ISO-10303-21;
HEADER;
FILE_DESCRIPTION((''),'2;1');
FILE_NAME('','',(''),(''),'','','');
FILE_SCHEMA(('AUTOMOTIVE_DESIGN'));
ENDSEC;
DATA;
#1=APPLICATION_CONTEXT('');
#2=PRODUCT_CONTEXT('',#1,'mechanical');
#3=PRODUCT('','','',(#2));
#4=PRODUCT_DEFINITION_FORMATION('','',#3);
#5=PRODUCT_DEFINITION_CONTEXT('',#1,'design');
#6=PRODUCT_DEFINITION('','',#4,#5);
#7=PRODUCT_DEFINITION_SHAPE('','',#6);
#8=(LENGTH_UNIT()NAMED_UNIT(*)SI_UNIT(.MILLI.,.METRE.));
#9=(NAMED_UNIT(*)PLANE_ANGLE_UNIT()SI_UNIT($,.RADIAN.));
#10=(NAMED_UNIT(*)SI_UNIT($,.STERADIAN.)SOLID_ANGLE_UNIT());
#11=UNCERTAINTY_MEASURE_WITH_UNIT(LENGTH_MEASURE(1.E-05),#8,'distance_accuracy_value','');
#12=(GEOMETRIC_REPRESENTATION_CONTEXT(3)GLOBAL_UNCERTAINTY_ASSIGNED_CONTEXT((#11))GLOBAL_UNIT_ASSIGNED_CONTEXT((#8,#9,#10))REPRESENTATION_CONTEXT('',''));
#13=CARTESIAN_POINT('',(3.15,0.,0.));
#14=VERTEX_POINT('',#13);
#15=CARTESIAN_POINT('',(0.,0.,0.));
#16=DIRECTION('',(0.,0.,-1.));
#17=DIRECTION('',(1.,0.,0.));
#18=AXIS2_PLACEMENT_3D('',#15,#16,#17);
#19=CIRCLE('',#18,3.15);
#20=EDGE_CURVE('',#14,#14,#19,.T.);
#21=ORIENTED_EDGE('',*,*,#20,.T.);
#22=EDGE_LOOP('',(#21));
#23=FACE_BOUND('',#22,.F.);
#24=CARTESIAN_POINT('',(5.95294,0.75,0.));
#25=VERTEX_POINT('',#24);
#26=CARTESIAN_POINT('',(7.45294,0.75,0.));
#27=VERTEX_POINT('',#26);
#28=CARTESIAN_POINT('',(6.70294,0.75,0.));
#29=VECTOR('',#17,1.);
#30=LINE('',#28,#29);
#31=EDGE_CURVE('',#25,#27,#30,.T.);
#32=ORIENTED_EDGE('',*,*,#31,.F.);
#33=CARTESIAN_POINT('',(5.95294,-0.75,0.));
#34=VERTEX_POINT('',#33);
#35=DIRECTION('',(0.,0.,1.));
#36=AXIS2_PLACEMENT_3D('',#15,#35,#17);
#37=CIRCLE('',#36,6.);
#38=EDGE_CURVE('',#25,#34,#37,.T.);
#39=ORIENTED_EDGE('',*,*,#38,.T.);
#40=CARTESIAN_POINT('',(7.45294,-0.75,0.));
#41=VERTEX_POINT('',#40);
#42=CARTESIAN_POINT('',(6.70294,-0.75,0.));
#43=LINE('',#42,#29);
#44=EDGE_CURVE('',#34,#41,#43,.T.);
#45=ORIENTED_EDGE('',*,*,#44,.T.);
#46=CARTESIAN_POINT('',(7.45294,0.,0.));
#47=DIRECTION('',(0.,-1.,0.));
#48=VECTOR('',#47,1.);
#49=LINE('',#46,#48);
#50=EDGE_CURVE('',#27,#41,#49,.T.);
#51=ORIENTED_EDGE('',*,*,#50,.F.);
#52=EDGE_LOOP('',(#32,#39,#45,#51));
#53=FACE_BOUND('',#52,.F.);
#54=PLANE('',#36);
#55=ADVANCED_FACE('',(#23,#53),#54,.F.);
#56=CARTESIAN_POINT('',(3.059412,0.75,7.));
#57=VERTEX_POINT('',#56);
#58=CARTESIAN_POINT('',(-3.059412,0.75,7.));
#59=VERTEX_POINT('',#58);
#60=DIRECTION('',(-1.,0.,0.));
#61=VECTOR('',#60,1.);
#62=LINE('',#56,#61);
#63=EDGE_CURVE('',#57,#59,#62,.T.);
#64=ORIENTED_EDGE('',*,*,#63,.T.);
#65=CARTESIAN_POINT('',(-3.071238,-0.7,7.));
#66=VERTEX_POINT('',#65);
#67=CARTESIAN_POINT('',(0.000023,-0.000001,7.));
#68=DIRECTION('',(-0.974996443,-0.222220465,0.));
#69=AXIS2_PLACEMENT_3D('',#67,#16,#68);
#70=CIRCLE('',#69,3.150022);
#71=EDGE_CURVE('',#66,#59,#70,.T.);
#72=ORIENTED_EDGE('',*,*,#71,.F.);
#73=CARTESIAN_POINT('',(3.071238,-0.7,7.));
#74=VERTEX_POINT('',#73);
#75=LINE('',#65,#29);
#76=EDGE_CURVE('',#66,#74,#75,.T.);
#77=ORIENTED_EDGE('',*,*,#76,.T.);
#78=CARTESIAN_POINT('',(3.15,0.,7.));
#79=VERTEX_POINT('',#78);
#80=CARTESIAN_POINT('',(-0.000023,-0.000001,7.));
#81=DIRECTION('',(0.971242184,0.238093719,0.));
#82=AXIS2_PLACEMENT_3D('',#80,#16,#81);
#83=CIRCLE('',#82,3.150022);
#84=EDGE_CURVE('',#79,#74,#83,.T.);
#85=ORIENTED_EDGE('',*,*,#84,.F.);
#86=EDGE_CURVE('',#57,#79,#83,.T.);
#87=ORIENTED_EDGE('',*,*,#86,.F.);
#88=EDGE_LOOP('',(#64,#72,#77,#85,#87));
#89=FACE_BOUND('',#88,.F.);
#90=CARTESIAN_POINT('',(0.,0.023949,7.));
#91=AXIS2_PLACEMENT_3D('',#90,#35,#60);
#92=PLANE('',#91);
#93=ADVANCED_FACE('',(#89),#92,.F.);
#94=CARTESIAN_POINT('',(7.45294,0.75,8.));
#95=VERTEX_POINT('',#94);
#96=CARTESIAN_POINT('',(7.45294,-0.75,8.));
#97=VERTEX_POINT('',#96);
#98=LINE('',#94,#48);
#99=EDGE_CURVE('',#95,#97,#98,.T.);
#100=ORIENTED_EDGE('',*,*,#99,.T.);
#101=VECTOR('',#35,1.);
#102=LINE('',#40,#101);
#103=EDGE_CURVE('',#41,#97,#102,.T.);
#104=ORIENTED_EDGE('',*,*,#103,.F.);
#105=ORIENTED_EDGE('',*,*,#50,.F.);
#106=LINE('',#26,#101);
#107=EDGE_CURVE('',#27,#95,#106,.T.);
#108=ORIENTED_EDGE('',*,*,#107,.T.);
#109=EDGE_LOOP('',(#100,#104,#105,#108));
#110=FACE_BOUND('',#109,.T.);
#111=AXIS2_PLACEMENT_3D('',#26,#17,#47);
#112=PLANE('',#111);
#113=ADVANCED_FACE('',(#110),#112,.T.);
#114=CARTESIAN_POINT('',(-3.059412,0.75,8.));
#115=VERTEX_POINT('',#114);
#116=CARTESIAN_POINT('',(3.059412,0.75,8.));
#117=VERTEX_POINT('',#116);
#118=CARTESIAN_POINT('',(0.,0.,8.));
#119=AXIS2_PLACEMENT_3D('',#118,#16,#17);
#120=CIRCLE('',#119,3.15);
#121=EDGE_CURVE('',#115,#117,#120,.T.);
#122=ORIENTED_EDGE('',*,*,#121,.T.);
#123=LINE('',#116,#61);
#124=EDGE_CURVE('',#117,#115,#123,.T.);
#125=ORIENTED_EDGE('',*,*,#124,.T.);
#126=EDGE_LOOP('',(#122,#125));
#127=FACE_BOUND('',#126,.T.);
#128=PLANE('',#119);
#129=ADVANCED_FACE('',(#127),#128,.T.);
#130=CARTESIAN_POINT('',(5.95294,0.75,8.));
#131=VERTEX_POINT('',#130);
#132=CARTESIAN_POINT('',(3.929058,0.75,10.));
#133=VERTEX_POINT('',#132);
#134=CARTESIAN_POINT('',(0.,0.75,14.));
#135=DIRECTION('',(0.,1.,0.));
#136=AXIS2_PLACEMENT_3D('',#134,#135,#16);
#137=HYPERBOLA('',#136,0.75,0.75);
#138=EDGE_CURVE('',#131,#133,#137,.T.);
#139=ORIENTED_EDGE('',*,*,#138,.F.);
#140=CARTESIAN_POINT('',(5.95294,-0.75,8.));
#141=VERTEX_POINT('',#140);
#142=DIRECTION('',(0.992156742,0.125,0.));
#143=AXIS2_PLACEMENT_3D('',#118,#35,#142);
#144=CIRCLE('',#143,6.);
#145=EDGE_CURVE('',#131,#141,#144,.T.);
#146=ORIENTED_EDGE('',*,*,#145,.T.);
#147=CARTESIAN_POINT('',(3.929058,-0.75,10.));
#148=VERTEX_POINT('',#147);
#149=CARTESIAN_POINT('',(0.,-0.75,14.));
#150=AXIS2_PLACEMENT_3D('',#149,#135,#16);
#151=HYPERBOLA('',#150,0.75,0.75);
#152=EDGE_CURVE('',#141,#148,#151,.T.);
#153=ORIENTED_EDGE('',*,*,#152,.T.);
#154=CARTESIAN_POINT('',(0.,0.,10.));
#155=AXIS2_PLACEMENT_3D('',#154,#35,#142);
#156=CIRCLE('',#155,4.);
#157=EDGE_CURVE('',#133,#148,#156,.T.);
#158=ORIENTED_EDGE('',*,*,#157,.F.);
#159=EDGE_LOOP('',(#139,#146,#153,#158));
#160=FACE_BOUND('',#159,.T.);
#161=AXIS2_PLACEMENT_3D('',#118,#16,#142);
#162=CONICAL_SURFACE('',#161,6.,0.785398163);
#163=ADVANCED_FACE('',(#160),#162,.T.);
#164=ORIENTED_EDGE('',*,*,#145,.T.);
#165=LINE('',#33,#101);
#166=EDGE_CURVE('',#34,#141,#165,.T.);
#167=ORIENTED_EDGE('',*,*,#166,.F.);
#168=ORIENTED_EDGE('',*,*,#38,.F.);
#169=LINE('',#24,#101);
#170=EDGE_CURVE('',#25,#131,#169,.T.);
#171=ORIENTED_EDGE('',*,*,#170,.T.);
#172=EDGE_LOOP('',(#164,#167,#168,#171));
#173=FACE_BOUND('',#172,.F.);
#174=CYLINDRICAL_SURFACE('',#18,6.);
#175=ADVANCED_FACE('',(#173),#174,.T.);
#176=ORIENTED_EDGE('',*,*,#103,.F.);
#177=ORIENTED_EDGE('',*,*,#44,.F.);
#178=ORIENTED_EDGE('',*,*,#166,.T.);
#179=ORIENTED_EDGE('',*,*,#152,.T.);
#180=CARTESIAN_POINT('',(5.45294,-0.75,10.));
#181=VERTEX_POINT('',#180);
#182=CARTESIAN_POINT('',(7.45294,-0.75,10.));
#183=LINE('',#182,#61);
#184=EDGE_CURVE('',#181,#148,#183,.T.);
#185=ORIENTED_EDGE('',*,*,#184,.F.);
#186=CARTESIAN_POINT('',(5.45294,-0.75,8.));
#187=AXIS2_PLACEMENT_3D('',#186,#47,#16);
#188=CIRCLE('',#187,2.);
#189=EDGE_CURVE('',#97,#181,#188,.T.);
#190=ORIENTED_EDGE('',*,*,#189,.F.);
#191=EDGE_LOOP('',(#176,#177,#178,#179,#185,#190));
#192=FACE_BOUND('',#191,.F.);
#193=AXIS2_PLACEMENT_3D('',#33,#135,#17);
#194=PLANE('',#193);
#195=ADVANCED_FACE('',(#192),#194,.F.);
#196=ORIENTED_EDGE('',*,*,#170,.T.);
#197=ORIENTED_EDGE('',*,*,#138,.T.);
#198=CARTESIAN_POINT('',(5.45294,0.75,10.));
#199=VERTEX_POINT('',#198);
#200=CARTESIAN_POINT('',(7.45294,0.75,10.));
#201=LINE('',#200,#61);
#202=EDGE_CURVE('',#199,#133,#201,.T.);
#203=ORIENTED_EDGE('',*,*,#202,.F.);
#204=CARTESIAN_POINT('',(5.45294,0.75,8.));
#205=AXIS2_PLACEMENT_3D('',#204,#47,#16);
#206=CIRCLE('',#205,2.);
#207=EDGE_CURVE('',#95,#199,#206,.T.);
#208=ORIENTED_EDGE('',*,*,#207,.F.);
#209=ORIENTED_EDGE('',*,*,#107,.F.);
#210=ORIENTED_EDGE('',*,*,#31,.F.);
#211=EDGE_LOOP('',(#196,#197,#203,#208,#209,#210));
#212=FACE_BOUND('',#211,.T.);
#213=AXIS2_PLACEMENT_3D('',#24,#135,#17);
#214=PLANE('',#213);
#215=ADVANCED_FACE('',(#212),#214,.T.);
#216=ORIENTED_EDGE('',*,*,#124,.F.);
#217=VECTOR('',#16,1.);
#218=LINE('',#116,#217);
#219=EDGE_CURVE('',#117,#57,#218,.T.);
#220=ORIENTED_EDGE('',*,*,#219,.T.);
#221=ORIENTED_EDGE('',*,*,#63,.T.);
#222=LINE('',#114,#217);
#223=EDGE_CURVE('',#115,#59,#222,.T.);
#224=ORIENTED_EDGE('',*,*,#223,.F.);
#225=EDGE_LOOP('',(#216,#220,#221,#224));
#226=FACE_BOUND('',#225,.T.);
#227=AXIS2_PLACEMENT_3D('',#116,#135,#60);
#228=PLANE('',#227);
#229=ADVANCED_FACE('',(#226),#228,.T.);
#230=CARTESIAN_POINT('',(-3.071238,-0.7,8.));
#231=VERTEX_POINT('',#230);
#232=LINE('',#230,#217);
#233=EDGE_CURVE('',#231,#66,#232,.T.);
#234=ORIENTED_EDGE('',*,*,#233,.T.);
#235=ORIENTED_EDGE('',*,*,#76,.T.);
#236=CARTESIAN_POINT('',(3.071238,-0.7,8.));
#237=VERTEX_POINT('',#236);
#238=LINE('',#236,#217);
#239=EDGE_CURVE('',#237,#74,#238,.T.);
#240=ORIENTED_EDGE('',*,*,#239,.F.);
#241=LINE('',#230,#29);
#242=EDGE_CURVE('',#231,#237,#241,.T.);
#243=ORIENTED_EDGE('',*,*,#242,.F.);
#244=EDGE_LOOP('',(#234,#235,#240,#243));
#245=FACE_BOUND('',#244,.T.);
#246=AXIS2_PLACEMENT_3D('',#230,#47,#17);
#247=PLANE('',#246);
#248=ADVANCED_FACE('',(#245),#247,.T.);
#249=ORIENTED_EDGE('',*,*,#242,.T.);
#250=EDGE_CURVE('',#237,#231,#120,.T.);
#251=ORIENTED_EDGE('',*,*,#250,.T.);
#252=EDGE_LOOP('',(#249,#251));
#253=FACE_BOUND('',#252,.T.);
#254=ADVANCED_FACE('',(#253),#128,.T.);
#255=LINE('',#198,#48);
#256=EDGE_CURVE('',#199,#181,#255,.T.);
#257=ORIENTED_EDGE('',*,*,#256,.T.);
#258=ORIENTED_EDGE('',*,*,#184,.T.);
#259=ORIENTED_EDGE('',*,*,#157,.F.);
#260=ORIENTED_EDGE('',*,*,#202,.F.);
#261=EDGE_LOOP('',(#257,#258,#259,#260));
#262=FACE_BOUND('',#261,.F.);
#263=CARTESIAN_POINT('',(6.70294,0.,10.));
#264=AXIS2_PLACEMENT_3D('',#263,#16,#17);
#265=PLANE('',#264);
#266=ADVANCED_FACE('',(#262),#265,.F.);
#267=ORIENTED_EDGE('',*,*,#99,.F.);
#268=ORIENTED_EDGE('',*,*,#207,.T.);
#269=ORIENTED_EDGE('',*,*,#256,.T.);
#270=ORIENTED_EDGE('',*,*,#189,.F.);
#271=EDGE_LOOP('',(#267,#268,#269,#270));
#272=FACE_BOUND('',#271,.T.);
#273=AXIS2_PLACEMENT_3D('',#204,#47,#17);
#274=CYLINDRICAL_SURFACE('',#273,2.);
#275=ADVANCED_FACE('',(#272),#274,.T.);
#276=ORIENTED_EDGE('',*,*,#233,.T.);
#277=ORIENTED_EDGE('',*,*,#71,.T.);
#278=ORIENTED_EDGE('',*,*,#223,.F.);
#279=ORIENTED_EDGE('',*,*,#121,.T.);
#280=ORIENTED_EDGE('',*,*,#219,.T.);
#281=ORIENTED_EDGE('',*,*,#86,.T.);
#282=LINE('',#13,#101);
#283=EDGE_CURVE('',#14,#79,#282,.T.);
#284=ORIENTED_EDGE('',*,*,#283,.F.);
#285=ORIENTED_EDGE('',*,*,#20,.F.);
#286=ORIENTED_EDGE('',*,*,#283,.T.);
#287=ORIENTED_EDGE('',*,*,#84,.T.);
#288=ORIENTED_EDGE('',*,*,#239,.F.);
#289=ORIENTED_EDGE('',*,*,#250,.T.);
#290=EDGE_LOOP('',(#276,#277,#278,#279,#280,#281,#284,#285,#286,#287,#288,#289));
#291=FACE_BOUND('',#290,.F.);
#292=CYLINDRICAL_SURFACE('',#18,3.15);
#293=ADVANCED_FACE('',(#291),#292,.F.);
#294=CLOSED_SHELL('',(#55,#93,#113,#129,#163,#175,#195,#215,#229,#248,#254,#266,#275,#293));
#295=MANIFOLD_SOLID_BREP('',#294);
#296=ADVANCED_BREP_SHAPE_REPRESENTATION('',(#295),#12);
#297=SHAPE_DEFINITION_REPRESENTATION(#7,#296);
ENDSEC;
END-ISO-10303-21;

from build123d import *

# Parameters (mm, degrees)
SKETCH_R     = 6
PAD_DEPTH    = 10
SKETCH001_R  = 3.15
POCKET_DEPTH = 8
PAD001_DEPTH = 1
SKETCH003_W  = 1.5
SKETCH003_H  = 1.5
PAD002_DEPTH = 10
CHAMFER_SIZE = 2
FILLET_R     = 2


with BuildPart() as part:
    # Sketch → Pad (new body)
    with BuildSketch(Plane.XY):
        Circle(SKETCH_R)
    extrude(amount=PAD_DEPTH)

    # Sketch001 (on Face2 of Pad) → Pocket (cut)
    with BuildSketch(Plane(origin=(0, 0, 0), x_dir=(1, 0, 0), z_dir=(0, 0, -1))):
        Circle(SKETCH001_R)
    extrude(amount=-POCKET_DEPTH, mode=Mode.SUBTRACT)

    # Sketch002 (on Face5 of Pocket) → Pad001 (join)
    with BuildSketch(Plane(origin=(0, 0, 8), x_dir=(1, 0, 0), z_dir=(0, 0, -1))):
        with BuildLine():
            Line((-3.071238, 0.7), (3.071238, 0.7))
            ThreePointArc((3.059412, -0.75), (3.149895, -0.02569), (3.071238, 0.7))
            Line((3.059412, -0.75), (-3.059412, -0.75))
            ThreePointArc((-3.071238, 0.7), (-3.149895, -0.02569), (-3.059412, -0.75))
        make_face()
    extrude(amount=PAD001_DEPTH)

    # Sketch003 (on Face2 of Pad001) → Pad002 (join)
    with BuildSketch(Plane(origin=(0, 0, 0), x_dir=(1, 0, 0), z_dir=(0, 0, -1))):
        with Locations((6.70294, 0)):
            Rectangle(SKETCH003_W, SKETCH003_H)
    extrude(amount=-PAD002_DEPTH)

    # Chamfer
    chamfer_edges = [part.edges().sort_by_distance(p)[0] for p in [
        (-6, 0, 10),
    ]]
    chamfer(chamfer_edges, length=CHAMFER_SIZE)

    # Fillet
    fillet_edges = [part.edges().sort_by_distance(p)[0] for p in [
        (7.45294, 0, 10),
    ]]
    fillet(fillet_edges, radius=FILLET_R)


solid = part.part
